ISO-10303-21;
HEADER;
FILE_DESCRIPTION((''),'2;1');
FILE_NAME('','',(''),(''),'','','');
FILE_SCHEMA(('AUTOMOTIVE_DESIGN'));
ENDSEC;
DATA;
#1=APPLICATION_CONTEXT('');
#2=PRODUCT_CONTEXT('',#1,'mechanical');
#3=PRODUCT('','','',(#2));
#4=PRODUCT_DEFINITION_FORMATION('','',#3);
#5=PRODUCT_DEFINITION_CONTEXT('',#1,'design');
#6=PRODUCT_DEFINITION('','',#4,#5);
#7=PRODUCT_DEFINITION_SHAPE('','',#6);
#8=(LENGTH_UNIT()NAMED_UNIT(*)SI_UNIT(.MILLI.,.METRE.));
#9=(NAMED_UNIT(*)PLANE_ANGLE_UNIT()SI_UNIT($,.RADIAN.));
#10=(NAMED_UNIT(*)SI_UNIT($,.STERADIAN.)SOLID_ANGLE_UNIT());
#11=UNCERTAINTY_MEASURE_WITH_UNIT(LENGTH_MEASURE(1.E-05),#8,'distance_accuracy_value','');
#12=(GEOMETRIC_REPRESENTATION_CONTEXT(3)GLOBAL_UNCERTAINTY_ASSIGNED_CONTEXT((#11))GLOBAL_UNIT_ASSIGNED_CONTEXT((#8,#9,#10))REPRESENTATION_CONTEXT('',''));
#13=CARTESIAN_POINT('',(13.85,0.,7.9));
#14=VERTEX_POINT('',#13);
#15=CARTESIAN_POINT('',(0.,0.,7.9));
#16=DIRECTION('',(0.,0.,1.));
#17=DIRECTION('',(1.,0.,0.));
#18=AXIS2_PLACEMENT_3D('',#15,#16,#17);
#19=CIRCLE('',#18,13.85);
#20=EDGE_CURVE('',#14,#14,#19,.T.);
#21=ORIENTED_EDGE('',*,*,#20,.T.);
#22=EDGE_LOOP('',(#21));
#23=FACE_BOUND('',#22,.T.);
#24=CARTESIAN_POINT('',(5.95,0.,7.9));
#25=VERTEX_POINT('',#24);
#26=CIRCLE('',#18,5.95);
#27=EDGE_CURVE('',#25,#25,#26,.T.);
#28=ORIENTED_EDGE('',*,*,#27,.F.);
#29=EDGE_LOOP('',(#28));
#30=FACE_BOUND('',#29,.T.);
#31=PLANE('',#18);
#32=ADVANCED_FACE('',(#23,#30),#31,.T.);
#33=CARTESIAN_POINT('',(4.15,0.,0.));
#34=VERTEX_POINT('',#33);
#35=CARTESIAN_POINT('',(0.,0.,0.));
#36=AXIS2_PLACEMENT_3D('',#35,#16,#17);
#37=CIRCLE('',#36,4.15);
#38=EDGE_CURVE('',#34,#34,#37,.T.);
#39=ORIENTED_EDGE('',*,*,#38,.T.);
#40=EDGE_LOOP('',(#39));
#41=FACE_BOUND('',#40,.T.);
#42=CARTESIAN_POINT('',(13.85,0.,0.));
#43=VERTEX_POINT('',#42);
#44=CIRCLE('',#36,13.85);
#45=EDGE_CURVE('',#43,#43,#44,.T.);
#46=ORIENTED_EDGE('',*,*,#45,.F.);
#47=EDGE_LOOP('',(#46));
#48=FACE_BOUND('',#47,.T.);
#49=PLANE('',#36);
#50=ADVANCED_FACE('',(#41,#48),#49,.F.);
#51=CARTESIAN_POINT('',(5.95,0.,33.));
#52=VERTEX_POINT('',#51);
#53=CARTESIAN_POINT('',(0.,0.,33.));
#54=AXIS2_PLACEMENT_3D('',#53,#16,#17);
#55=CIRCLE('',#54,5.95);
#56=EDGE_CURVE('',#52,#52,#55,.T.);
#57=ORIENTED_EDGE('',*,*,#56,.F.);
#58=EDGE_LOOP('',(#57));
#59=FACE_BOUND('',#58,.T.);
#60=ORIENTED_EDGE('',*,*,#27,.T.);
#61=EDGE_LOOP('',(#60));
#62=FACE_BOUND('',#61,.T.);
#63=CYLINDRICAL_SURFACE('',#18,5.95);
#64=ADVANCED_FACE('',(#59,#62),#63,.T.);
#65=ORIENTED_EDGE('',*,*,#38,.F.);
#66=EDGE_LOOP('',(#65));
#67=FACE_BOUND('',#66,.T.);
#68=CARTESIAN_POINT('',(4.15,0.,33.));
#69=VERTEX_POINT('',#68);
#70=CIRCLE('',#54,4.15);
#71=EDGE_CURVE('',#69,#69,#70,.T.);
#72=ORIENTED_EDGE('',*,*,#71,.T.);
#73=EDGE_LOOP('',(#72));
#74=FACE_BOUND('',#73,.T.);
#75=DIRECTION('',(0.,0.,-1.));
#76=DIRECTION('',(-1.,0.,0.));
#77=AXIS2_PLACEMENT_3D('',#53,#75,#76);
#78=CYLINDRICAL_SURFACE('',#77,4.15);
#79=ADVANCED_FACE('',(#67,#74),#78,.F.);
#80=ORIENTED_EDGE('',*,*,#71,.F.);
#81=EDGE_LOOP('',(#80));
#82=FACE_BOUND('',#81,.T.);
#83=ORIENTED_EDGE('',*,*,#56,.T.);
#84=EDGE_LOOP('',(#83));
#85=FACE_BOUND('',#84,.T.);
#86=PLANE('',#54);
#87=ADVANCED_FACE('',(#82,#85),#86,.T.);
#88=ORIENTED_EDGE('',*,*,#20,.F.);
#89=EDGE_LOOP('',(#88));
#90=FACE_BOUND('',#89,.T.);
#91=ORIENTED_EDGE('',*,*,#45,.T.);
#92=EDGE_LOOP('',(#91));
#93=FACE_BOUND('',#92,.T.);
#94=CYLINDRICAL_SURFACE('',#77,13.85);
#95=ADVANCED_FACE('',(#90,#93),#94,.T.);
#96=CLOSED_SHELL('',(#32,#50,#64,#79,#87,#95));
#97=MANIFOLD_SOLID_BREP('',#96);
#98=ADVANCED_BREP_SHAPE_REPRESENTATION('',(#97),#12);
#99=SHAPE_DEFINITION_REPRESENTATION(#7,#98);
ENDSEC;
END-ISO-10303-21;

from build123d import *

# Parameters (mm, degrees)
SKETCH1_R           = 13.85
SKETCH1_R_2         = 4.15
BOSS_EXTRUDE1_DEPTH = 33
CUT_EXTRUDE1_START  = -25.1
SKETCH2_R           = 13.85
SKETCH2_R_2         = 5.95
CUT_EXTRUDE1_DEPTH  = 25.1


with BuildPart() as part:
    # Sketch1 → Boss-Extrude1 (new body)
    with BuildSketch(Plane.XY):
        Circle(SKETCH1_R)
        Circle(SKETCH1_R_2, mode=Mode.SUBTRACT)
    extrude(amount=BOSS_EXTRUDE1_DEPTH)

    # Sketch2 → Cut-Extrude1 (cut)
    with BuildSketch(Plane.XY.offset(33).offset(CUT_EXTRUDE1_START)):
        Circle(SKETCH2_R)
        Circle(SKETCH2_R_2, mode=Mode.SUBTRACT)
    extrude(amount=CUT_EXTRUDE1_DEPTH, mode=Mode.SUBTRACT)


solid = part.part
